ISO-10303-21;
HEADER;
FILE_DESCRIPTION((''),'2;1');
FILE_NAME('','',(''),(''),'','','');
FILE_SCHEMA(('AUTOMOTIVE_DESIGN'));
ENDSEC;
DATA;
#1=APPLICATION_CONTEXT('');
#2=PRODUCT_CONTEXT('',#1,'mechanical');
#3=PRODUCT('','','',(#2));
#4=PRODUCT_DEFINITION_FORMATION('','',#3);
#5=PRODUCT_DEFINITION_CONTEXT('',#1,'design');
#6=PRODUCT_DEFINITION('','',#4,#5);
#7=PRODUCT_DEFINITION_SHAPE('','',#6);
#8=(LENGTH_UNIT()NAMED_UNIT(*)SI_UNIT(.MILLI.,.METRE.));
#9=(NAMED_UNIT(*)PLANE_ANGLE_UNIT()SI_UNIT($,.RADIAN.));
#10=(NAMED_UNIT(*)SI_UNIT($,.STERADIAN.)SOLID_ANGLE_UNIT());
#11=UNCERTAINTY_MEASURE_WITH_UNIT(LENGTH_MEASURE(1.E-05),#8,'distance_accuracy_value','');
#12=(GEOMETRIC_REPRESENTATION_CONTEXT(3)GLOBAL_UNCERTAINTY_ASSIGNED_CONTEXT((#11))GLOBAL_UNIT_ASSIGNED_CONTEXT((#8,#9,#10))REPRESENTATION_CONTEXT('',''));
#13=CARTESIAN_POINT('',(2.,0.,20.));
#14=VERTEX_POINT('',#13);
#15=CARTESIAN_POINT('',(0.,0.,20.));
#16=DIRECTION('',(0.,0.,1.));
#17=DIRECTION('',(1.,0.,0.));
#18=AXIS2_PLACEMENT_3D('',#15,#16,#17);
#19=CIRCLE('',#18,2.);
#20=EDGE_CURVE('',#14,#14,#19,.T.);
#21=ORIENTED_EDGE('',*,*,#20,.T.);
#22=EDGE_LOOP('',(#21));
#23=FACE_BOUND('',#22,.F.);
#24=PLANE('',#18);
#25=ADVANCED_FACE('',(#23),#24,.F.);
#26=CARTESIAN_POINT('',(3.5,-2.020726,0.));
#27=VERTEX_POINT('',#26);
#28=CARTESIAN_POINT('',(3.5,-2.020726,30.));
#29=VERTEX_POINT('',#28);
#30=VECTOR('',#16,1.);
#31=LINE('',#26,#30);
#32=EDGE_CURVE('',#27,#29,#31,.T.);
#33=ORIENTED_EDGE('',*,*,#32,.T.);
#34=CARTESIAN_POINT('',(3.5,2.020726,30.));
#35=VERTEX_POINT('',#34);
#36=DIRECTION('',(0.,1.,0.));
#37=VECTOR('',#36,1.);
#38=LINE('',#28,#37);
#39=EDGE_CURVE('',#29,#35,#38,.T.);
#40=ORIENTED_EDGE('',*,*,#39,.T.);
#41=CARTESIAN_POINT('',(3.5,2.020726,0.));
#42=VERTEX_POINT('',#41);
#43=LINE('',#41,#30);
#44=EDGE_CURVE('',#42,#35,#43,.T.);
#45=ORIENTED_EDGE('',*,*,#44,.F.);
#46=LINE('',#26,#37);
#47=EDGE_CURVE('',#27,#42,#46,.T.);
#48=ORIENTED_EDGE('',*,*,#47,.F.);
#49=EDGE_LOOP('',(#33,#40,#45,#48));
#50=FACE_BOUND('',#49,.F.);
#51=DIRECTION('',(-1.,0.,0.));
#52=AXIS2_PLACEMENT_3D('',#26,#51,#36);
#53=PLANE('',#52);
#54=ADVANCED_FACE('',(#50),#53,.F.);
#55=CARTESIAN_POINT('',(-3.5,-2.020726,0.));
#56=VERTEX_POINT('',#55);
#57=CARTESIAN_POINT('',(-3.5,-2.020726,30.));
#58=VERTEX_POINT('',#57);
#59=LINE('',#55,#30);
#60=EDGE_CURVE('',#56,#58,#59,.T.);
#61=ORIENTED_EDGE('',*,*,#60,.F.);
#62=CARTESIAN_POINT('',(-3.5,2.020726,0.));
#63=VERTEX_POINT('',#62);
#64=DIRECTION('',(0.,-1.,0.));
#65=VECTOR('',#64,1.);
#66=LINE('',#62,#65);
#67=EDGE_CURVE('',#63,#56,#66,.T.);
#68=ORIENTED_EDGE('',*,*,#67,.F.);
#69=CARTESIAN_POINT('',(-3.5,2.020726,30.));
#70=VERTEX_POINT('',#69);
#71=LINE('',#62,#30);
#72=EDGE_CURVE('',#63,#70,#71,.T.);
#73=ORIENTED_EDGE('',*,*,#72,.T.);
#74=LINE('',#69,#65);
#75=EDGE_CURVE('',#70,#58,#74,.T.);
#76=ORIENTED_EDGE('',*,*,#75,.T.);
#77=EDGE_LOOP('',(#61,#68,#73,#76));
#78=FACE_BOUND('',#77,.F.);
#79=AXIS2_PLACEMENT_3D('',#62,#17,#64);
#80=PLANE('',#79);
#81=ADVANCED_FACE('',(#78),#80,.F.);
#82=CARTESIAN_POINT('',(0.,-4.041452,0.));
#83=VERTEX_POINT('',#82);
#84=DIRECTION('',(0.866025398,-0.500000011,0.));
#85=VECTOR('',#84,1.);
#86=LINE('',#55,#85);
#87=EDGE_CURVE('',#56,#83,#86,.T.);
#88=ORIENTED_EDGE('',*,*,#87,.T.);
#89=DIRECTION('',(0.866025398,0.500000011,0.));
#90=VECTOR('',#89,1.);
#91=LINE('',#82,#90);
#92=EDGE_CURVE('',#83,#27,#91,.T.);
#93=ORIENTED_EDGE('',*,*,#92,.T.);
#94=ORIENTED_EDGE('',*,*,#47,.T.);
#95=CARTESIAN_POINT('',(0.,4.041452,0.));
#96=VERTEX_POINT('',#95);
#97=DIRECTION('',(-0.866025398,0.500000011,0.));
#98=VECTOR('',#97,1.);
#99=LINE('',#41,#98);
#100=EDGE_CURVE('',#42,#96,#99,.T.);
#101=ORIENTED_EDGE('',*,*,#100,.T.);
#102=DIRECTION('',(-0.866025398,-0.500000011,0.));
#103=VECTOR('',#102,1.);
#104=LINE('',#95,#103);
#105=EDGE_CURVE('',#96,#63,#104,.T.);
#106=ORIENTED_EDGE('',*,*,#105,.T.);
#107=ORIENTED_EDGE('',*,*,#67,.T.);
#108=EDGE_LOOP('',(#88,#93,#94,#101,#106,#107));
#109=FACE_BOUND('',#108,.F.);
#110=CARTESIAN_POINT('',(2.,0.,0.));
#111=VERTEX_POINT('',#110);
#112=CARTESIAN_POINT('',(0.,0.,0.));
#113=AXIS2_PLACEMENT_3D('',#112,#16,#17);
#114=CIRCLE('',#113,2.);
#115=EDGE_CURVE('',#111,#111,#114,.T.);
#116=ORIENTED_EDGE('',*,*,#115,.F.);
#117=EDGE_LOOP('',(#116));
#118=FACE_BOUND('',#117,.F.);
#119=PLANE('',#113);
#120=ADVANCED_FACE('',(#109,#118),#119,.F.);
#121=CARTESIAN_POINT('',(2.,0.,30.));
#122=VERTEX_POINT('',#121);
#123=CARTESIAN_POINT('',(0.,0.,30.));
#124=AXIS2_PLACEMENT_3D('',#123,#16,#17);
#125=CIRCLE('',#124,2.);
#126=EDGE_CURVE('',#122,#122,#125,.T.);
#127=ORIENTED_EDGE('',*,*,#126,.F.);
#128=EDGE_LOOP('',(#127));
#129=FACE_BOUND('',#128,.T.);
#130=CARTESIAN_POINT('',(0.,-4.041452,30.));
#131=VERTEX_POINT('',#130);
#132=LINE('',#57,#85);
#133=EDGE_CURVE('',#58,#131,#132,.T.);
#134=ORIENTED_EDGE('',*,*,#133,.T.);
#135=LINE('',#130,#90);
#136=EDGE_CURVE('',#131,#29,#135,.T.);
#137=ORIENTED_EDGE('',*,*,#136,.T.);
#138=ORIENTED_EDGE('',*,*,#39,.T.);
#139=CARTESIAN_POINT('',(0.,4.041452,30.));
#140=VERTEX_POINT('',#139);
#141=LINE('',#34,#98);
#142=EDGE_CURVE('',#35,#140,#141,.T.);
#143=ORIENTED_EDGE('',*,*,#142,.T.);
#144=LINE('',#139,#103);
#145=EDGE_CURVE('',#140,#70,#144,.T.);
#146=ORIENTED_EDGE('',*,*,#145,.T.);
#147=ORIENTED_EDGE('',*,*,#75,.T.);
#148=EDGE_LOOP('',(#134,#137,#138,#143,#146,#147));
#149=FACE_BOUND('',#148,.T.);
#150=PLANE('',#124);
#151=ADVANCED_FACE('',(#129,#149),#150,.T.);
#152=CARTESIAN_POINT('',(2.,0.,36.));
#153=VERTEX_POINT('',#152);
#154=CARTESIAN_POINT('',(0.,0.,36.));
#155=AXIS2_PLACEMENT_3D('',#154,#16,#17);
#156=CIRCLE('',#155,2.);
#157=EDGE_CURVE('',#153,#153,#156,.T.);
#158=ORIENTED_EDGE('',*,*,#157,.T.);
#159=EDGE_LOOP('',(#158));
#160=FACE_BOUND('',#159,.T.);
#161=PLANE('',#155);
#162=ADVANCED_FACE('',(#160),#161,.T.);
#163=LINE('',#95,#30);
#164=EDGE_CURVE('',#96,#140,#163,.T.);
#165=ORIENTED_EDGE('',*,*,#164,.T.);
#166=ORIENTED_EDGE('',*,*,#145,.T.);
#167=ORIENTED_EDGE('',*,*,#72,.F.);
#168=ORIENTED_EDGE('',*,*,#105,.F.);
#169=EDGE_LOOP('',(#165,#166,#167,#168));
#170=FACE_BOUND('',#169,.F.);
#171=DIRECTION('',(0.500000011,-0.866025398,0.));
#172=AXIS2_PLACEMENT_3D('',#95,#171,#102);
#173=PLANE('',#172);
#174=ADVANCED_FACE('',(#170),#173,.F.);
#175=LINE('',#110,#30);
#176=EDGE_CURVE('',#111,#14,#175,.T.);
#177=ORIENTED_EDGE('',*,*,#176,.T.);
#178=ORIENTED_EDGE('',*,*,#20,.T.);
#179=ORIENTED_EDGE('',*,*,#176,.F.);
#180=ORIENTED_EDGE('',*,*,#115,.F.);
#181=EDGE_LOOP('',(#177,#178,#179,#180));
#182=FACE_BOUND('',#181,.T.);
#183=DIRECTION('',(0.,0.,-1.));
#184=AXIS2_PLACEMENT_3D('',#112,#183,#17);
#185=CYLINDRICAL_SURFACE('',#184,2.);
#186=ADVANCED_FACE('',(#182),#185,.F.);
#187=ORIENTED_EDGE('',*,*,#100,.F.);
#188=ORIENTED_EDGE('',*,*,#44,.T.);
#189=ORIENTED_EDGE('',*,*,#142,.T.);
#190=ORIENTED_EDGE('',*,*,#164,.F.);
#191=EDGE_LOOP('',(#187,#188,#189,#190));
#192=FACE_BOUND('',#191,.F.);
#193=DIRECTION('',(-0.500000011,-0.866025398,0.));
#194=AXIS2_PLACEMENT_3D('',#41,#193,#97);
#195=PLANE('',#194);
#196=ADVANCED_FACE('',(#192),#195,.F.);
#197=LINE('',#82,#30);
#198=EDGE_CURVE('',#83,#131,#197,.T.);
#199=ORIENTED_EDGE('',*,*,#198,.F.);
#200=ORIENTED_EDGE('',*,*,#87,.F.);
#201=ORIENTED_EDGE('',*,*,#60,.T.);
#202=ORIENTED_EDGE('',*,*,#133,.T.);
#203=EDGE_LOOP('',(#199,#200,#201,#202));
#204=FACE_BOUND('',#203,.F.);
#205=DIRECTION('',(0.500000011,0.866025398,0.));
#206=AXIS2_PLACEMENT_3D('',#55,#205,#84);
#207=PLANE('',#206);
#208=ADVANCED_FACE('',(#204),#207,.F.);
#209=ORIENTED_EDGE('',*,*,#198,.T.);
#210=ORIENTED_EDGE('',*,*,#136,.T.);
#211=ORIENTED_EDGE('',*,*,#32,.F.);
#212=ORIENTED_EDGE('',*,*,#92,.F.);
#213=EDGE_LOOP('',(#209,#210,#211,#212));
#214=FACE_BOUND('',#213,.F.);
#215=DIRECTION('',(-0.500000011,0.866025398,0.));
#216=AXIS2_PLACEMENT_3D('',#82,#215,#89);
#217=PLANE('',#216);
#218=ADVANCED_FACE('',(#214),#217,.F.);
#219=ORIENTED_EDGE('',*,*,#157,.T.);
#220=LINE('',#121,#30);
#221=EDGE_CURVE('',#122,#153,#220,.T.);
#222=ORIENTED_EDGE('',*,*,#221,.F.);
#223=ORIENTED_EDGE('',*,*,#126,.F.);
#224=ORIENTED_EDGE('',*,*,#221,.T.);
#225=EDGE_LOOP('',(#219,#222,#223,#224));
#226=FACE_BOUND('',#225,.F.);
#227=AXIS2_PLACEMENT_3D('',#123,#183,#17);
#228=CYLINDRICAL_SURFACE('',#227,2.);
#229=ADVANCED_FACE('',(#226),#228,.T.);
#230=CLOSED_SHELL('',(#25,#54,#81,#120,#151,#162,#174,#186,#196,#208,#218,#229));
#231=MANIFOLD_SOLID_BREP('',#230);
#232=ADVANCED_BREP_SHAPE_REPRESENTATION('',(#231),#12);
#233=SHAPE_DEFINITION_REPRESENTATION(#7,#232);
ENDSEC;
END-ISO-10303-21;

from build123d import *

# Parameters (mm, degrees)
F0_R          = 2
F1_DEPTH      = 30
F2_R          = 2
F3_DEPTH      = 6
F3_DEPTH_BACK = 10


with BuildPart() as f1:
    # F0 (on Top) → F1 (new body)
    with BuildSketch(Plane.XY):
        Polygon((3.5, -2.020726), (3.5, 2.020726), (0, 4.041452), (-3.5, 2.020726), (-3.5, -2.020726), (0, -4.041452), align=None)
        Circle(F0_R, mode=Mode.SUBTRACT)
    extrude(amount=F1_DEPTH)

    # F2 (on face) → F3 (join, two sides)
    with BuildSketch(Plane.XY.offset(30)) as f3_sk:
        Circle(F2_R)
    extrude(amount=F3_DEPTH)
    extrude(f3_sk.sketch, amount=-F3_DEPTH_BACK)


solid = f1.part
